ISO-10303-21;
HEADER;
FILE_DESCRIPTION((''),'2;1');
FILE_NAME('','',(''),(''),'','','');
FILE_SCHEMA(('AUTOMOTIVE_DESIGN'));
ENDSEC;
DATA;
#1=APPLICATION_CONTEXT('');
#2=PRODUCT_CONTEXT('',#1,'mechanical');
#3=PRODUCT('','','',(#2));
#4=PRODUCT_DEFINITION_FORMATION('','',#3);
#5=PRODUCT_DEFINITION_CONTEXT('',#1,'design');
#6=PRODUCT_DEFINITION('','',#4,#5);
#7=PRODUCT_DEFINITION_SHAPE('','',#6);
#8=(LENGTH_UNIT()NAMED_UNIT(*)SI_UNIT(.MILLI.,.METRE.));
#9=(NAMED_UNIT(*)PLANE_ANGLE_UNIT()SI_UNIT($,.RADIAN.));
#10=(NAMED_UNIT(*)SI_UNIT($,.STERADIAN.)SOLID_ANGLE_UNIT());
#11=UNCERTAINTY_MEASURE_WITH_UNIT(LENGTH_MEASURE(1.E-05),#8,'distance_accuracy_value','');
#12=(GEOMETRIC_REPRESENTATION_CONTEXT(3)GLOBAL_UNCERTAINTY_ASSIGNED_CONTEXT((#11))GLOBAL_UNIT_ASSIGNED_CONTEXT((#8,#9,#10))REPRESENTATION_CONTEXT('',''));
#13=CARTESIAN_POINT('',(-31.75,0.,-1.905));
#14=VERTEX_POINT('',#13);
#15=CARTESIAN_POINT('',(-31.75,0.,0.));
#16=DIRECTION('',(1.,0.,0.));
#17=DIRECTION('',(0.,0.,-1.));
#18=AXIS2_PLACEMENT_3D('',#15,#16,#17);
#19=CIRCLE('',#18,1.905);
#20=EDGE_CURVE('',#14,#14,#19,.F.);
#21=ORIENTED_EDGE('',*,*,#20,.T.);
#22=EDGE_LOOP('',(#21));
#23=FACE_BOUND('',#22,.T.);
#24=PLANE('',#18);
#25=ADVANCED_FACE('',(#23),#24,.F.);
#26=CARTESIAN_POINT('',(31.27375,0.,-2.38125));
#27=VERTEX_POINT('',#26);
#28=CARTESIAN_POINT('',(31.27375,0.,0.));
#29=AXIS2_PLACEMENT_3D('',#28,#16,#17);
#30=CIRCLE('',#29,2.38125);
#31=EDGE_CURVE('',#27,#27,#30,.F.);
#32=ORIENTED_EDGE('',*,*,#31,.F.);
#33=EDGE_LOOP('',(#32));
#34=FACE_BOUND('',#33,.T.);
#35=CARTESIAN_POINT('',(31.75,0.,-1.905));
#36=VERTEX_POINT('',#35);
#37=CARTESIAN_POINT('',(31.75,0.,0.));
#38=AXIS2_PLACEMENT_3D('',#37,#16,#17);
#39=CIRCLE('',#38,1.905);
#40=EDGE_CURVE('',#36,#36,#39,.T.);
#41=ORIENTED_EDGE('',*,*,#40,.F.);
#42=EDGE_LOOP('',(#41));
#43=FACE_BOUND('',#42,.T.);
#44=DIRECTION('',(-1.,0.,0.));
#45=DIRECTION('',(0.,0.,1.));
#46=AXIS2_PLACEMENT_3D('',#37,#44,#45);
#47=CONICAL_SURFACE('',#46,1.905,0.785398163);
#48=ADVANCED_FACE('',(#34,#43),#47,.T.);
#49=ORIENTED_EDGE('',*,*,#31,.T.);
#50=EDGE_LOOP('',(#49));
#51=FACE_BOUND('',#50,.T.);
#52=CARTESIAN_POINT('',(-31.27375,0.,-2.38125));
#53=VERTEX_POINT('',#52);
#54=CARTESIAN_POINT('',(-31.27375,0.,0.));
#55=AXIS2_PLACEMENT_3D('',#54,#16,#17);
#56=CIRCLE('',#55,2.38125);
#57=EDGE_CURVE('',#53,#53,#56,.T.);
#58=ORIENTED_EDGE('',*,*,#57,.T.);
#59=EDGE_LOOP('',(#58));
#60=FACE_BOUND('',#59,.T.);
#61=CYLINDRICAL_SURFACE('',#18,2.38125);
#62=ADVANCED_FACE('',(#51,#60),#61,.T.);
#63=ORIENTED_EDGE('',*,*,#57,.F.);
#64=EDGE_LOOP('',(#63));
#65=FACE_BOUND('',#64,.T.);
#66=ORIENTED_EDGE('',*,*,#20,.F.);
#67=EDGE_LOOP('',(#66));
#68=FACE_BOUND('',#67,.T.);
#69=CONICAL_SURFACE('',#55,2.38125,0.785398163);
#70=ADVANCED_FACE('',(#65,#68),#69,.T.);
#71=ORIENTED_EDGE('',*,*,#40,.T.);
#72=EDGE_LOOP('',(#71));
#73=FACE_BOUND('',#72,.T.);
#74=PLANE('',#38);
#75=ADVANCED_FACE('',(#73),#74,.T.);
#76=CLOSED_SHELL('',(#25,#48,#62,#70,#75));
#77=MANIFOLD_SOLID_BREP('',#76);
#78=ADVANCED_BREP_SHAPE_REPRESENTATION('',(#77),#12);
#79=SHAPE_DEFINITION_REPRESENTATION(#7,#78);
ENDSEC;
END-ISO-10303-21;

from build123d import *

# Parameters (mm, degrees)
EXTRUDE1_DEPTH      = 31.75
EXTRUDE1_DEPTH_BACK = 31.75
SKETCH2_R           = 2.38125
CHAMFER1_SIZE       = 0.47625


with BuildPart() as part:
    # Sketch2 → Extrude1 (new, two sides: drawn at the far end of the back side and taken through both)
    with BuildSketch(Plane(origin=(0, 0, 0), x_dir=(0, 0, -1), z_dir=(1, 0, 0)).offset(-EXTRUDE1_DEPTH_BACK)):
        Circle(SKETCH2_R)
    extrude(amount=EXTRUDE1_DEPTH + EXTRUDE1_DEPTH_BACK)

    # Chamfer1
    chamfer1_edges = [part.edges().sort_by_distance(p)[0] for p in [
        (-31.75, 0, 2.38125),
        (31.75, 0, 2.38125),
    ]]
    chamfer(chamfer1_edges, length=CHAMFER1_SIZE)


solid = part.part
